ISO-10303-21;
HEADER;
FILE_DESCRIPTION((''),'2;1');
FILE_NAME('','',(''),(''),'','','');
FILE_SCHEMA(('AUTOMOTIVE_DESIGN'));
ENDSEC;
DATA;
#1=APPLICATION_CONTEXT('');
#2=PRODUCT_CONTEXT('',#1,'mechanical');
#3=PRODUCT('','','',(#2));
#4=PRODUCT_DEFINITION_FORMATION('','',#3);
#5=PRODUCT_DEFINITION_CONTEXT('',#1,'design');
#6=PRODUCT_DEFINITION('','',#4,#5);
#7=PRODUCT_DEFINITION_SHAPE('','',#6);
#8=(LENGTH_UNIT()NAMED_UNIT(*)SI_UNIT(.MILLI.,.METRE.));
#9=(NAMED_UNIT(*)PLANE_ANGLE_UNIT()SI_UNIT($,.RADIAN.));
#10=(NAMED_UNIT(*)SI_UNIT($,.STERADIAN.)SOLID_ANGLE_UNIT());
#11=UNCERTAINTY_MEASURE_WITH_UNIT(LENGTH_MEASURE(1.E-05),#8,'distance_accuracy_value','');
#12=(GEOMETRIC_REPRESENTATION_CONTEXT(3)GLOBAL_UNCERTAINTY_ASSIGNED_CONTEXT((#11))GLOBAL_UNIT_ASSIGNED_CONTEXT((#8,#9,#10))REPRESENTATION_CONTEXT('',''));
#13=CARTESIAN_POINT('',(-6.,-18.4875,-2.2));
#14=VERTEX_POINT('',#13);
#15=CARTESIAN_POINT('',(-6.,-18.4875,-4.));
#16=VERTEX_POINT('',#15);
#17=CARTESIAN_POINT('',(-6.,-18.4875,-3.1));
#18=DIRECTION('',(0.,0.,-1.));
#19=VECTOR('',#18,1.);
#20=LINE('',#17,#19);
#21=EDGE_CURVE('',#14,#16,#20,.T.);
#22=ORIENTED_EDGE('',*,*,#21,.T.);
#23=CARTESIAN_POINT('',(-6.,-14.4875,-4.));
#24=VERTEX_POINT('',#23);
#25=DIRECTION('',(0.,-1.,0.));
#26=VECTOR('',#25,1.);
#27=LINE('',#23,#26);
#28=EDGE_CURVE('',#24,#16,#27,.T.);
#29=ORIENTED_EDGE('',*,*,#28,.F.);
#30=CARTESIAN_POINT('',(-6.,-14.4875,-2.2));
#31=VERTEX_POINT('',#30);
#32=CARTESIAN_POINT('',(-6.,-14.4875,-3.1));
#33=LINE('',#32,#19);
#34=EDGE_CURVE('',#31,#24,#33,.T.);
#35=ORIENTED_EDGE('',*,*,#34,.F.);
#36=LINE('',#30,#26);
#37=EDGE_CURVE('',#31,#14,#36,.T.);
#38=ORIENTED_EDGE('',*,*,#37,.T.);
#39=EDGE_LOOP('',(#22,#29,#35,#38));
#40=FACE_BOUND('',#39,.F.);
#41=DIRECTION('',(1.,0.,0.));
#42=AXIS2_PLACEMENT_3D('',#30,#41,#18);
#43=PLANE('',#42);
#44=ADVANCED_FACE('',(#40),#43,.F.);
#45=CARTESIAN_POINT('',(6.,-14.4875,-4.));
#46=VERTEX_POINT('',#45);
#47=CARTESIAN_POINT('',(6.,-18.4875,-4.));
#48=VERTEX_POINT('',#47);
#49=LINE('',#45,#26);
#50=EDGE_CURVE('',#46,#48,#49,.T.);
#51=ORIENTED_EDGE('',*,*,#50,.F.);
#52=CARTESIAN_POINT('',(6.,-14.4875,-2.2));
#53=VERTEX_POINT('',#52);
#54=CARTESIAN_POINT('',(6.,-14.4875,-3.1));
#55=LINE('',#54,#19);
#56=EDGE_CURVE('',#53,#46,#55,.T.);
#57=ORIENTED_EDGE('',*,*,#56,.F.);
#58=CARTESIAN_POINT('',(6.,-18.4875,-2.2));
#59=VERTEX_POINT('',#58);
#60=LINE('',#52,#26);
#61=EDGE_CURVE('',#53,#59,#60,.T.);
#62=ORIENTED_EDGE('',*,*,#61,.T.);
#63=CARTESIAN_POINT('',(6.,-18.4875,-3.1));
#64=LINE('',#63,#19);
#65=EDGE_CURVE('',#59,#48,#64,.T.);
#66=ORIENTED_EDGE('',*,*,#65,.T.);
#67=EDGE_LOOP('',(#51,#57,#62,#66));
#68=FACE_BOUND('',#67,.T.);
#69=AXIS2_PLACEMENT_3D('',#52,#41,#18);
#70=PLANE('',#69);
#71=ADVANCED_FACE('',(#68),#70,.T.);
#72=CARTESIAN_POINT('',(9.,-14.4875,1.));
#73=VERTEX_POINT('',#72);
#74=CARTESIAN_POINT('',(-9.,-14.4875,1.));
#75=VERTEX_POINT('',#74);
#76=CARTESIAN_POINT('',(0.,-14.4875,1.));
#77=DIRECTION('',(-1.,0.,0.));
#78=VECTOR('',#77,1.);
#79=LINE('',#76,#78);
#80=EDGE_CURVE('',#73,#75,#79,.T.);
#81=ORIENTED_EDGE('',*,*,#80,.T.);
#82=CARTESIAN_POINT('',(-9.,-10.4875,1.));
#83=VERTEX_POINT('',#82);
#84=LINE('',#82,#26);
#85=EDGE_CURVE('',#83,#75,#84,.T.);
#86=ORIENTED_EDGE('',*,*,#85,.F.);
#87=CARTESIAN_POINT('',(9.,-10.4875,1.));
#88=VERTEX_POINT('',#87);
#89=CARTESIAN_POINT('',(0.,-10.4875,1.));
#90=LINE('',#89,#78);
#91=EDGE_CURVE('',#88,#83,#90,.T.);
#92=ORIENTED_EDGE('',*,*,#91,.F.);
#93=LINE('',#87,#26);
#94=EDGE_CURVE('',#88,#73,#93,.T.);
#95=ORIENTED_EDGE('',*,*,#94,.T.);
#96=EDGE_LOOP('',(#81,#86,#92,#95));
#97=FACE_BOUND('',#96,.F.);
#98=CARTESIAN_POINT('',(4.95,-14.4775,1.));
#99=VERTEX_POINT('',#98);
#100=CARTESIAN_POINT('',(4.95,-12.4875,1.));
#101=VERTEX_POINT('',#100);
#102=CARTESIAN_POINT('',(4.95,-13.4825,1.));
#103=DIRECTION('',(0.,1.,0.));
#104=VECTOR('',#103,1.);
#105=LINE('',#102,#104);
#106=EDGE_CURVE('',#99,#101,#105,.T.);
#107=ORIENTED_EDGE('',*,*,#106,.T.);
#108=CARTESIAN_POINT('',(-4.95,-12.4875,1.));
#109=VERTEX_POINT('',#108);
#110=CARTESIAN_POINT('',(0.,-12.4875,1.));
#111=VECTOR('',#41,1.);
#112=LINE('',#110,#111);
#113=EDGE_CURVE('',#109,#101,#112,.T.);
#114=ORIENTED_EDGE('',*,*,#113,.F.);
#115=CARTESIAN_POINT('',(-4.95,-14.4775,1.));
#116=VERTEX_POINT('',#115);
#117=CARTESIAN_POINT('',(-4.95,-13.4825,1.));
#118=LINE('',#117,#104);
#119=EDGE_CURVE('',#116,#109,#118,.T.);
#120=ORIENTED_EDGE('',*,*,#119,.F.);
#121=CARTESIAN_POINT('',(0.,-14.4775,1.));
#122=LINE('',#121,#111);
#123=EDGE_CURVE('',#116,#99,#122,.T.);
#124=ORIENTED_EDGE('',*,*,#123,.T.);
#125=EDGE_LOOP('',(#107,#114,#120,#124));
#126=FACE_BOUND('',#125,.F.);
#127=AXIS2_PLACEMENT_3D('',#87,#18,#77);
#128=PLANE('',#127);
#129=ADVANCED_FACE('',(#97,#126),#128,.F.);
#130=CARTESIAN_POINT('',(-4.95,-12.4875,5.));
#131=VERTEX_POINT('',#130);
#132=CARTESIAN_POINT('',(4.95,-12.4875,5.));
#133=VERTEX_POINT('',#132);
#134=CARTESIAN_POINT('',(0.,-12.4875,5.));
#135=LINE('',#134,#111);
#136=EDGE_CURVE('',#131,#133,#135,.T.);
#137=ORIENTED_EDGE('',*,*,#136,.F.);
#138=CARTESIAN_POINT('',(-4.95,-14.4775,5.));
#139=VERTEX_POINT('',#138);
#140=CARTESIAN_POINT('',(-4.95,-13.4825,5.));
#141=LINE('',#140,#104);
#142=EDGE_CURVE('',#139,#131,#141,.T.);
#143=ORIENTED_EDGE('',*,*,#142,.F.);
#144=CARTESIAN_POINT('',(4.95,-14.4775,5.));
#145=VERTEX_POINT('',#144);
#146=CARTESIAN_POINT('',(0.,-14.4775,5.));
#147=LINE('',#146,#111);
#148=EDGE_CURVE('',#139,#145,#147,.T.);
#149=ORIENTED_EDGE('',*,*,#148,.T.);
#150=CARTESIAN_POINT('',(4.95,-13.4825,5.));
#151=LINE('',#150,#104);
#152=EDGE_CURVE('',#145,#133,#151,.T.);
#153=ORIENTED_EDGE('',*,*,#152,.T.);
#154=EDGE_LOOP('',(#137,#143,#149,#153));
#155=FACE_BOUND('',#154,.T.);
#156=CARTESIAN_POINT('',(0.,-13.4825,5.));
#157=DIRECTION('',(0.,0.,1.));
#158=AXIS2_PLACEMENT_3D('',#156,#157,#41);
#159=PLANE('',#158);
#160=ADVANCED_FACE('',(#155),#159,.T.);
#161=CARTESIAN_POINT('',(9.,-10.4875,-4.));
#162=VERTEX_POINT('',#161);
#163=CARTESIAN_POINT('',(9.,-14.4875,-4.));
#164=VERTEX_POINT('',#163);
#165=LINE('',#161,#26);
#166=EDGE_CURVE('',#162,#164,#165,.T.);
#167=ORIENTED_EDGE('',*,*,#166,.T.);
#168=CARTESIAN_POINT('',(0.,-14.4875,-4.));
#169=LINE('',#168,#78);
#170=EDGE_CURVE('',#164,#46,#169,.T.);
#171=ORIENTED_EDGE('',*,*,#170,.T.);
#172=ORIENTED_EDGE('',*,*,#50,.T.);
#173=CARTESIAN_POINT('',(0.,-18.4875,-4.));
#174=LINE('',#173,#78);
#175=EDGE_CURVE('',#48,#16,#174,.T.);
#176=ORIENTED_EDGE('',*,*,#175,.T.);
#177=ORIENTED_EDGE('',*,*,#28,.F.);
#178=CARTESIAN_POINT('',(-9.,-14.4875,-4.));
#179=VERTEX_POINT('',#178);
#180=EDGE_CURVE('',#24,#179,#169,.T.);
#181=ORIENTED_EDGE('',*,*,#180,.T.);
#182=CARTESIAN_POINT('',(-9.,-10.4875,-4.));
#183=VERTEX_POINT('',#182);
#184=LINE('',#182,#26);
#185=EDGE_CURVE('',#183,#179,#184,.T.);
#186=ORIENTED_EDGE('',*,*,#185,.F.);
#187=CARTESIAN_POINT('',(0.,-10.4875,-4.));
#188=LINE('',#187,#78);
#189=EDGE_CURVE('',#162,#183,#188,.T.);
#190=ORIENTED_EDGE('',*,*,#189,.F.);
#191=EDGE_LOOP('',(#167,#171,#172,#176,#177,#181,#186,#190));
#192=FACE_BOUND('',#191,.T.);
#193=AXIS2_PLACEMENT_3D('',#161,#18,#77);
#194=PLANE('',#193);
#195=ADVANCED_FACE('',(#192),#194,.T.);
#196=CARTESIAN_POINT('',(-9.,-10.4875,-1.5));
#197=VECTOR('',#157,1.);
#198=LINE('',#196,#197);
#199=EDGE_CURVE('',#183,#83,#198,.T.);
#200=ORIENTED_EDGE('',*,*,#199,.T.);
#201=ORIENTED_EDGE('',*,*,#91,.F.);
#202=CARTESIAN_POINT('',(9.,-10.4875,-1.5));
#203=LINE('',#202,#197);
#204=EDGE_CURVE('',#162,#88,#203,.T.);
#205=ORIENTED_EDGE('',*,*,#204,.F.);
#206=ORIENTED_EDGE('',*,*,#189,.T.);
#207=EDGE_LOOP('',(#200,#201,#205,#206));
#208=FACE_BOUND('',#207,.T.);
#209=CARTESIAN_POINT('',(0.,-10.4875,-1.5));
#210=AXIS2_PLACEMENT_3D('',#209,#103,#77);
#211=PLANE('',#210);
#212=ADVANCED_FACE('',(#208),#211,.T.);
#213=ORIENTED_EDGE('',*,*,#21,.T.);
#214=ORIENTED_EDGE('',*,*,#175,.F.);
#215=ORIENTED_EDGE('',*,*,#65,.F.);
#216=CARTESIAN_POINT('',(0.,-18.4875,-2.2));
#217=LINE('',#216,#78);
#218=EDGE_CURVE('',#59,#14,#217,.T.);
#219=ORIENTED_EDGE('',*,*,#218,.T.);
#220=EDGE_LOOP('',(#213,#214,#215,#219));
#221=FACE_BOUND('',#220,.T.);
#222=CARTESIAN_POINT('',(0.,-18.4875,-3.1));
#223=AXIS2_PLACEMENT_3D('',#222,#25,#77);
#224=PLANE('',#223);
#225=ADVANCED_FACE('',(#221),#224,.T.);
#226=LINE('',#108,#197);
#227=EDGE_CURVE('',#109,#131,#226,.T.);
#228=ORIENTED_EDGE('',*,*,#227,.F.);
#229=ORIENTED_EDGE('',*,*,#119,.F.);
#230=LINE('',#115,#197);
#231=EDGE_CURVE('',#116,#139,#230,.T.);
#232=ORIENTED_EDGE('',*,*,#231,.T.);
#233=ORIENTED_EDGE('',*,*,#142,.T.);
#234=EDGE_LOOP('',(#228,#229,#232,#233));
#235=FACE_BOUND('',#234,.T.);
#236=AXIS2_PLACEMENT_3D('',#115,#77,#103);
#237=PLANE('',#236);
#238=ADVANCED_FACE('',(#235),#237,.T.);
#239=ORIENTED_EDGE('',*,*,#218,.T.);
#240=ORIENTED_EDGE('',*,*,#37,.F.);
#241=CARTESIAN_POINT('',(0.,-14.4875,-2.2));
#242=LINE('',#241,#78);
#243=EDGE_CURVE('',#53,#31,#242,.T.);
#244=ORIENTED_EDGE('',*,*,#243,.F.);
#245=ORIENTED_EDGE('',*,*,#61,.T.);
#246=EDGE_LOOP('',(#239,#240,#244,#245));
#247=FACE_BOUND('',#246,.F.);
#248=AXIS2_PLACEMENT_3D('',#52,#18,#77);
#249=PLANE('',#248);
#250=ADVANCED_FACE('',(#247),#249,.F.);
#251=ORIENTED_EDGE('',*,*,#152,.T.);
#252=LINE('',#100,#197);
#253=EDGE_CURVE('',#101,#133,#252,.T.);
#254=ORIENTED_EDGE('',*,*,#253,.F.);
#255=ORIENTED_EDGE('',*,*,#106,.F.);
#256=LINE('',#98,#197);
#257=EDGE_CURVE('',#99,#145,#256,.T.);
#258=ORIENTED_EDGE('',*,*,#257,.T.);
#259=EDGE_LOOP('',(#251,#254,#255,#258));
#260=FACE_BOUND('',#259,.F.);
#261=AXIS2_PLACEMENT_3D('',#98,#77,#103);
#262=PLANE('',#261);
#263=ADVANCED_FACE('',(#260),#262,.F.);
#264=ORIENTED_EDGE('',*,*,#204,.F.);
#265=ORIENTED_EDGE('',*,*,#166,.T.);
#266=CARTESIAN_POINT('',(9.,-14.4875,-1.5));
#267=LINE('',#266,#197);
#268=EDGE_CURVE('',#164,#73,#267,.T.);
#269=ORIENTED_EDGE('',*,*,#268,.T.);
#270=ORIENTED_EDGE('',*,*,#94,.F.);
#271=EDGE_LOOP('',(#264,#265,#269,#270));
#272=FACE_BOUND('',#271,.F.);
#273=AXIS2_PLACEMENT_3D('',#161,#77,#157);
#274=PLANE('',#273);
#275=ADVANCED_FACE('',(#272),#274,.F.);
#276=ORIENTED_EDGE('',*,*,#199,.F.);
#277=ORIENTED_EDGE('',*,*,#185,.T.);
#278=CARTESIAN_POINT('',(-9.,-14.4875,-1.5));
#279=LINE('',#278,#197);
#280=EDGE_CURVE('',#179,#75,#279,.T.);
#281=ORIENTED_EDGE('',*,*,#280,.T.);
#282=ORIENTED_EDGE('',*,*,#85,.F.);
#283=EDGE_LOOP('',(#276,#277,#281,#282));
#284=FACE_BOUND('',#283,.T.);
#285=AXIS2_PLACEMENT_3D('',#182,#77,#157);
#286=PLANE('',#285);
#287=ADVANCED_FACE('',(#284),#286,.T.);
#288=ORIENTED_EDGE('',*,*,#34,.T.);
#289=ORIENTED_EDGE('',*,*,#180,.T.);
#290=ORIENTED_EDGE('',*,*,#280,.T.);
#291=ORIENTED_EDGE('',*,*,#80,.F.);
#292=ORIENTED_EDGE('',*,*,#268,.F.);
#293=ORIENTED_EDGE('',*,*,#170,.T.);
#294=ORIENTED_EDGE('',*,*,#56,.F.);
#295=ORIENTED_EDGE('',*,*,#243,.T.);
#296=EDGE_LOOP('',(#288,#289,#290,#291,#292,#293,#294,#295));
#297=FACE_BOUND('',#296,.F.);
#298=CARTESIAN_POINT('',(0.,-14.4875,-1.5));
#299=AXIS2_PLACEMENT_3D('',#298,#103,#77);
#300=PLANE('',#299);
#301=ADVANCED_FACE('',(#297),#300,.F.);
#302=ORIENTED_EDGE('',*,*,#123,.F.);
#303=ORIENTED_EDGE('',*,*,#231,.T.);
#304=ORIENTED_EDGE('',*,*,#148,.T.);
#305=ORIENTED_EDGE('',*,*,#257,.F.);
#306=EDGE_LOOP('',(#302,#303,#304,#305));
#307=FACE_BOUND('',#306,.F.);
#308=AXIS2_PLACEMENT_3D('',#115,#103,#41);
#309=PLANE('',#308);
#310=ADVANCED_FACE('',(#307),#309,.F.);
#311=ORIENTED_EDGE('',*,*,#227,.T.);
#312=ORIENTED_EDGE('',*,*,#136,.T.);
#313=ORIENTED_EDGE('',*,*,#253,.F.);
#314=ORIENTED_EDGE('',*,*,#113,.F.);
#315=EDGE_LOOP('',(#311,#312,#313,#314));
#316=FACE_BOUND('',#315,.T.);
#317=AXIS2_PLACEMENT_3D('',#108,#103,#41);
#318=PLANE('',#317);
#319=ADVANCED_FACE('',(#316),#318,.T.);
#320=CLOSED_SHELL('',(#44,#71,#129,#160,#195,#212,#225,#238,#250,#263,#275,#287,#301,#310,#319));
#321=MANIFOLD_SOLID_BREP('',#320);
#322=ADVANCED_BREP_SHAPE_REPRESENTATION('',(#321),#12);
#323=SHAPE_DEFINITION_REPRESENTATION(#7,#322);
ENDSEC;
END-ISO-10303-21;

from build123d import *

# Parameters (mm, degrees)
SKETCH008_W  = 18
SKETCH008_H  = 5
PAD008_DEPTH = 4
SKETCH010_W  = 9.9
SKETCH010_H  = 1.99
PAD009_DEPTH = 4
SKETCH011_W  = 12
SKETCH011_H  = 1.8
PAD010_DEPTH = 4


with BuildPart() as part:
    # Sketch008 → Pad008 (new body)
    with BuildSketch(Plane(origin=(0, -10.4875, 0), x_dir=(-1, 0, 0), z_dir=(0, 1, 0))):
        with Locations((0, -1.5)):
            Rectangle(SKETCH008_W, SKETCH008_H)
    extrude(amount=-PAD008_DEPTH)

    # Sketch010 → Pad009 (new body)
    with BuildSketch(Plane(origin=(0, -10.4875, 1), x_dir=(1, 0, 0), z_dir=(0, 0, 1))):
        with Locations((0, -2.995)):
            Rectangle(SKETCH010_W, SKETCH010_H)
    extrude(amount=PAD009_DEPTH)

    # Sketch011 → Pad010 (new body)
    with BuildSketch(Plane(origin=(0, -14.4875, 0), x_dir=(-1, 0, 0), z_dir=(0, -1, 0))):
        with Locations((0, 3.1)):
            Rectangle(SKETCH011_W, SKETCH011_H)
    extrude(amount=PAD010_DEPTH)


solid = part.part
